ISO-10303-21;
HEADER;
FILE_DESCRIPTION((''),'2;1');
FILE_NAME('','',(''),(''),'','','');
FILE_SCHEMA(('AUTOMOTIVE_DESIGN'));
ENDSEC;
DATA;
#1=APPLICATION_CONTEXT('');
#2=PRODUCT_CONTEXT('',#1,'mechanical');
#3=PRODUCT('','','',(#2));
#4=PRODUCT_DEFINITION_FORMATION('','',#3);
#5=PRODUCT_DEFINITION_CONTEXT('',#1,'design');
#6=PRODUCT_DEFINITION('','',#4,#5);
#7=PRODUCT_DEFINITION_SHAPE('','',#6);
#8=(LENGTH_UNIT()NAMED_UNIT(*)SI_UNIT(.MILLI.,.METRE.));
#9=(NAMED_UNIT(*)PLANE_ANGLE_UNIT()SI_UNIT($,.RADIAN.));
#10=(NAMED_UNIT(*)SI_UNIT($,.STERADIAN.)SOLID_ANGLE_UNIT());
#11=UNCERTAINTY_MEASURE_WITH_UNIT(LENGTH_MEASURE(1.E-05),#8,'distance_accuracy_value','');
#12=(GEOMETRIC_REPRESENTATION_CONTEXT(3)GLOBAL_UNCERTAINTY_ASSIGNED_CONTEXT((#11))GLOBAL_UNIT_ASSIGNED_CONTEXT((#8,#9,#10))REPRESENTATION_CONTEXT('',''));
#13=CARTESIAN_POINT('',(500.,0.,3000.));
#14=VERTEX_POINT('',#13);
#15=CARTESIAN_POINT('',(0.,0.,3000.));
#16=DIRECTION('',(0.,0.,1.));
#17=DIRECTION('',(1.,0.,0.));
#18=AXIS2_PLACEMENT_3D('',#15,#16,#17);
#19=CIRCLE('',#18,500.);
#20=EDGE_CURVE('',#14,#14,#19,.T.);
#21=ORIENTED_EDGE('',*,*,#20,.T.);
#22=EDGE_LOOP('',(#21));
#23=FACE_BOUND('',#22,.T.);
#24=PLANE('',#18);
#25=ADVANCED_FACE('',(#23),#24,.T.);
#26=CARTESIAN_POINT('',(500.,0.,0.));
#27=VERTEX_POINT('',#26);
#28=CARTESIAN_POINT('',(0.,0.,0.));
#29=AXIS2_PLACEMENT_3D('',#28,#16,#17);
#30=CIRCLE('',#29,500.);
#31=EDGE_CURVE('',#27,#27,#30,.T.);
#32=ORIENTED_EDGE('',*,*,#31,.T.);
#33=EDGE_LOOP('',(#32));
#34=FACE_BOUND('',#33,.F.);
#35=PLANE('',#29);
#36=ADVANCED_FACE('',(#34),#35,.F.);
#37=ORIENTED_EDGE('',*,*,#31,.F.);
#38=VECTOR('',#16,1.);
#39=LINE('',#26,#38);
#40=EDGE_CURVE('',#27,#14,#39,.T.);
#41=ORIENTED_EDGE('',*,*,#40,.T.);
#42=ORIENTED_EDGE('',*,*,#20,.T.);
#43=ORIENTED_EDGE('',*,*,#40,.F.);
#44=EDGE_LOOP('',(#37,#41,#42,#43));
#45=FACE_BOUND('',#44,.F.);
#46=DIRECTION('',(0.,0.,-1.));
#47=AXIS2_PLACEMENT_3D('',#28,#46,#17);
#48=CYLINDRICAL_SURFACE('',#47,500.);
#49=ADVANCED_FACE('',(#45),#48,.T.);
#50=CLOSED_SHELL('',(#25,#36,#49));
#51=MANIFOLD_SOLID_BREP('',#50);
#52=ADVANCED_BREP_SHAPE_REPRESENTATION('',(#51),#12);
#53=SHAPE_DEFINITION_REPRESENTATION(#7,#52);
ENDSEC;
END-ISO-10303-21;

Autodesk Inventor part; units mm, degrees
ref_plane "YZ Plane" through (0, 0, 0) normal (1, 0, 0) x (0, 1, 0)
ref_plane "XZ Plane" through (0, 0, 0) normal (0, 1, 0) x (-1, 0, 0)
ref_plane "XY Plane" through (0, 0, 0) normal (0, 0, 1) x (1, 0, 0)
sketch "Sketch1" plane through (0, 0, 0) normal (0, 0, 1) x (1, 0, 0)
  circle A0 centre (0, 0) radius 500
  dimension "d0" = 1000
extrude "Extrusion1" add sketch "Sketch1" along normal blind 3000
properties part number "Tube connection" material "Aluminum 6061"
